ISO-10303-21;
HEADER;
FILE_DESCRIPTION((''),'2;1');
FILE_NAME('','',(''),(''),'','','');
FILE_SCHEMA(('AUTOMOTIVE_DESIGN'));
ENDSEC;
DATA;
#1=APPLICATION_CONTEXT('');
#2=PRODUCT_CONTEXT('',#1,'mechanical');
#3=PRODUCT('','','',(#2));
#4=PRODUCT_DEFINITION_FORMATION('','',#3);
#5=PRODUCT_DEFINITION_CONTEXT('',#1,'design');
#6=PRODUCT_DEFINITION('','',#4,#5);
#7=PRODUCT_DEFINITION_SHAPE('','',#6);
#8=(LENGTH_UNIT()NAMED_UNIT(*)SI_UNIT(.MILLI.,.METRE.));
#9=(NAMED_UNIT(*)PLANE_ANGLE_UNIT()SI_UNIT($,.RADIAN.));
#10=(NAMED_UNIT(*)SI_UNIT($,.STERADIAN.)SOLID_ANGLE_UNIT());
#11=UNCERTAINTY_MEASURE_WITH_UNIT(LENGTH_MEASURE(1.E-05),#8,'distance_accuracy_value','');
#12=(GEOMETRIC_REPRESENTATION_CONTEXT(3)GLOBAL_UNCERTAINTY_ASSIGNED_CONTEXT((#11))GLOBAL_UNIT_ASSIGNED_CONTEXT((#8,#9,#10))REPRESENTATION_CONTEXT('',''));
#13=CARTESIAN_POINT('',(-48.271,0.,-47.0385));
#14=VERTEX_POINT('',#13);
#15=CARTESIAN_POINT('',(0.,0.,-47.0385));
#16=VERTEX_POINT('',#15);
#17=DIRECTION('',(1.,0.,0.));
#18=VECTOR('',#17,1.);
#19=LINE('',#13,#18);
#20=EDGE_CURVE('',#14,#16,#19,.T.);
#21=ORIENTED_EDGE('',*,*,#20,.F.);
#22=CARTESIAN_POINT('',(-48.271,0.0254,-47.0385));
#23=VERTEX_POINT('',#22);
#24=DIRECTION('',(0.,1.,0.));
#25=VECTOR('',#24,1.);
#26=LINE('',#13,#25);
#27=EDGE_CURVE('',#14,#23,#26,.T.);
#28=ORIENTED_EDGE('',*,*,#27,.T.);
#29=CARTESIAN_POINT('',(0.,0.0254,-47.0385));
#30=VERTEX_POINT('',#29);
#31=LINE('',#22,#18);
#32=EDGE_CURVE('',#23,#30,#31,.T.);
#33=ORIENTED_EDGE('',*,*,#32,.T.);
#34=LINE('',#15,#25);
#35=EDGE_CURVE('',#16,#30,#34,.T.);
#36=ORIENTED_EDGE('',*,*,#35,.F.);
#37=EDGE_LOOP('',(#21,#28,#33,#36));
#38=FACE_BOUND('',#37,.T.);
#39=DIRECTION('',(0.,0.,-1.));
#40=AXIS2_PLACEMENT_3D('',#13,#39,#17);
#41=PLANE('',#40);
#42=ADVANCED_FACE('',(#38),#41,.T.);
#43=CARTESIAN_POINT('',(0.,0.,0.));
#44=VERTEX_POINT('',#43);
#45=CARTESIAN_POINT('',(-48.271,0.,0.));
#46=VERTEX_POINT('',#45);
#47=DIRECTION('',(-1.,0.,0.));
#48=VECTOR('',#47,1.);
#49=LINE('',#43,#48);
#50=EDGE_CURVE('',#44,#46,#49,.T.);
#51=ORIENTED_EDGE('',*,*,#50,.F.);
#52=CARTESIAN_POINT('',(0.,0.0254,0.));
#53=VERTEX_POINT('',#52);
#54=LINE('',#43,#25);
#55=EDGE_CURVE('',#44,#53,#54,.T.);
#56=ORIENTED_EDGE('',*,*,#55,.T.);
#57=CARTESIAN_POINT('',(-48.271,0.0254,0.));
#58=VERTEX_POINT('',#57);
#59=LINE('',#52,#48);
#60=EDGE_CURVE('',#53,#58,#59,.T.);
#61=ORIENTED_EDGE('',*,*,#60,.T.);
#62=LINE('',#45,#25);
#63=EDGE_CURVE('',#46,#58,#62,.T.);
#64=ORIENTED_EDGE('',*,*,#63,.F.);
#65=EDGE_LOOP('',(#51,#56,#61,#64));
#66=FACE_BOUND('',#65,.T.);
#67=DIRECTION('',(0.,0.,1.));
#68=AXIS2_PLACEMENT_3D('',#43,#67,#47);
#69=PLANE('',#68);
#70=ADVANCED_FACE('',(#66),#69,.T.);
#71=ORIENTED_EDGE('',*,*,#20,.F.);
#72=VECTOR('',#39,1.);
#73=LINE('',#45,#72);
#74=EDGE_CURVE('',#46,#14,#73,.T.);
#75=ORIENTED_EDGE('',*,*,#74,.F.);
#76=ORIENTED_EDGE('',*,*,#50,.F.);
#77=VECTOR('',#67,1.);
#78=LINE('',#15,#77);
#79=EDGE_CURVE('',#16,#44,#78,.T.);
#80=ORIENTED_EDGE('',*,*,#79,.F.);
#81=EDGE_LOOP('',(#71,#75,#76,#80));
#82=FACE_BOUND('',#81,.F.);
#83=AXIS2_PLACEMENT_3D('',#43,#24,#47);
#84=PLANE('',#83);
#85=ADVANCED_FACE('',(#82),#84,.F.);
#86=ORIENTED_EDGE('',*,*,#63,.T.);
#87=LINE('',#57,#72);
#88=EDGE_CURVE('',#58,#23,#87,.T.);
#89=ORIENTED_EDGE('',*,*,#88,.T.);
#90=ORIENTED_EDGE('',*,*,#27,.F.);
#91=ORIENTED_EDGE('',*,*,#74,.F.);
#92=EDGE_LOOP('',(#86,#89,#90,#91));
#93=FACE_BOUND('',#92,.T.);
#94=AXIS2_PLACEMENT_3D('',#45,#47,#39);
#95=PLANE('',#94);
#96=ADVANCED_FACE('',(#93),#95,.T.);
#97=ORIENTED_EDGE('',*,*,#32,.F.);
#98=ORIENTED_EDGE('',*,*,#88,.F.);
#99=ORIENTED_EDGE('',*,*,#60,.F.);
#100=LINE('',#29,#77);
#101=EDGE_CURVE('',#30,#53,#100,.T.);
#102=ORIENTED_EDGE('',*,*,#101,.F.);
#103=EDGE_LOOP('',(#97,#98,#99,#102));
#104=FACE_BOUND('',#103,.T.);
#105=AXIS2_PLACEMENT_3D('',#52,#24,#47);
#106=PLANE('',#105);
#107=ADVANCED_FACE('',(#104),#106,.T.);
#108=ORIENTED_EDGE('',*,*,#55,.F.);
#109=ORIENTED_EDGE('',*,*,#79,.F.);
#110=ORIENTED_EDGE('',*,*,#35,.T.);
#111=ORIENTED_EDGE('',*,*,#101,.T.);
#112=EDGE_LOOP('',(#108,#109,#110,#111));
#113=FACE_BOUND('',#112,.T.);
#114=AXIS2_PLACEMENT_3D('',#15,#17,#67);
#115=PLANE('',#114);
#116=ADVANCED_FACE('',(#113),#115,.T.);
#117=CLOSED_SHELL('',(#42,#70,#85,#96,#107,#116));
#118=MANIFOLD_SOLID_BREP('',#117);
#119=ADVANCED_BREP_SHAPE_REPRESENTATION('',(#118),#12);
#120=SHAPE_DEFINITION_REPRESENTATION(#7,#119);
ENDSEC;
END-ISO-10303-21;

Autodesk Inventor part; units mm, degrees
ref_plane "YZ Plane" through (0, 0, 0) normal (1, 0, 0) x (0, 1, 0)
ref_plane "XZ Plane" through (0, 0, 0) normal (0, 1, 0) x (-1, 0, 0)
ref_plane "XY Plane" through (0, 0, 0) normal (0, 0, 1) x (1, 0, 0)
sketch "Sketch1" plane through (0, 0, 0) normal (0, 1, 0) x (-1, 0, 0)
  line L0 (0, 0) -> (48.271, 0)
  line L1 (48.271, 0) -> (48.271, -47.0385)
  line L2 (48.271, -47.0385) -> (0, -47.0385)
  line L3 (0, -47.0385) -> (0, 0)
extrude "Extrusion1" add sketch "Sketch1" along normal blind 0.0254
